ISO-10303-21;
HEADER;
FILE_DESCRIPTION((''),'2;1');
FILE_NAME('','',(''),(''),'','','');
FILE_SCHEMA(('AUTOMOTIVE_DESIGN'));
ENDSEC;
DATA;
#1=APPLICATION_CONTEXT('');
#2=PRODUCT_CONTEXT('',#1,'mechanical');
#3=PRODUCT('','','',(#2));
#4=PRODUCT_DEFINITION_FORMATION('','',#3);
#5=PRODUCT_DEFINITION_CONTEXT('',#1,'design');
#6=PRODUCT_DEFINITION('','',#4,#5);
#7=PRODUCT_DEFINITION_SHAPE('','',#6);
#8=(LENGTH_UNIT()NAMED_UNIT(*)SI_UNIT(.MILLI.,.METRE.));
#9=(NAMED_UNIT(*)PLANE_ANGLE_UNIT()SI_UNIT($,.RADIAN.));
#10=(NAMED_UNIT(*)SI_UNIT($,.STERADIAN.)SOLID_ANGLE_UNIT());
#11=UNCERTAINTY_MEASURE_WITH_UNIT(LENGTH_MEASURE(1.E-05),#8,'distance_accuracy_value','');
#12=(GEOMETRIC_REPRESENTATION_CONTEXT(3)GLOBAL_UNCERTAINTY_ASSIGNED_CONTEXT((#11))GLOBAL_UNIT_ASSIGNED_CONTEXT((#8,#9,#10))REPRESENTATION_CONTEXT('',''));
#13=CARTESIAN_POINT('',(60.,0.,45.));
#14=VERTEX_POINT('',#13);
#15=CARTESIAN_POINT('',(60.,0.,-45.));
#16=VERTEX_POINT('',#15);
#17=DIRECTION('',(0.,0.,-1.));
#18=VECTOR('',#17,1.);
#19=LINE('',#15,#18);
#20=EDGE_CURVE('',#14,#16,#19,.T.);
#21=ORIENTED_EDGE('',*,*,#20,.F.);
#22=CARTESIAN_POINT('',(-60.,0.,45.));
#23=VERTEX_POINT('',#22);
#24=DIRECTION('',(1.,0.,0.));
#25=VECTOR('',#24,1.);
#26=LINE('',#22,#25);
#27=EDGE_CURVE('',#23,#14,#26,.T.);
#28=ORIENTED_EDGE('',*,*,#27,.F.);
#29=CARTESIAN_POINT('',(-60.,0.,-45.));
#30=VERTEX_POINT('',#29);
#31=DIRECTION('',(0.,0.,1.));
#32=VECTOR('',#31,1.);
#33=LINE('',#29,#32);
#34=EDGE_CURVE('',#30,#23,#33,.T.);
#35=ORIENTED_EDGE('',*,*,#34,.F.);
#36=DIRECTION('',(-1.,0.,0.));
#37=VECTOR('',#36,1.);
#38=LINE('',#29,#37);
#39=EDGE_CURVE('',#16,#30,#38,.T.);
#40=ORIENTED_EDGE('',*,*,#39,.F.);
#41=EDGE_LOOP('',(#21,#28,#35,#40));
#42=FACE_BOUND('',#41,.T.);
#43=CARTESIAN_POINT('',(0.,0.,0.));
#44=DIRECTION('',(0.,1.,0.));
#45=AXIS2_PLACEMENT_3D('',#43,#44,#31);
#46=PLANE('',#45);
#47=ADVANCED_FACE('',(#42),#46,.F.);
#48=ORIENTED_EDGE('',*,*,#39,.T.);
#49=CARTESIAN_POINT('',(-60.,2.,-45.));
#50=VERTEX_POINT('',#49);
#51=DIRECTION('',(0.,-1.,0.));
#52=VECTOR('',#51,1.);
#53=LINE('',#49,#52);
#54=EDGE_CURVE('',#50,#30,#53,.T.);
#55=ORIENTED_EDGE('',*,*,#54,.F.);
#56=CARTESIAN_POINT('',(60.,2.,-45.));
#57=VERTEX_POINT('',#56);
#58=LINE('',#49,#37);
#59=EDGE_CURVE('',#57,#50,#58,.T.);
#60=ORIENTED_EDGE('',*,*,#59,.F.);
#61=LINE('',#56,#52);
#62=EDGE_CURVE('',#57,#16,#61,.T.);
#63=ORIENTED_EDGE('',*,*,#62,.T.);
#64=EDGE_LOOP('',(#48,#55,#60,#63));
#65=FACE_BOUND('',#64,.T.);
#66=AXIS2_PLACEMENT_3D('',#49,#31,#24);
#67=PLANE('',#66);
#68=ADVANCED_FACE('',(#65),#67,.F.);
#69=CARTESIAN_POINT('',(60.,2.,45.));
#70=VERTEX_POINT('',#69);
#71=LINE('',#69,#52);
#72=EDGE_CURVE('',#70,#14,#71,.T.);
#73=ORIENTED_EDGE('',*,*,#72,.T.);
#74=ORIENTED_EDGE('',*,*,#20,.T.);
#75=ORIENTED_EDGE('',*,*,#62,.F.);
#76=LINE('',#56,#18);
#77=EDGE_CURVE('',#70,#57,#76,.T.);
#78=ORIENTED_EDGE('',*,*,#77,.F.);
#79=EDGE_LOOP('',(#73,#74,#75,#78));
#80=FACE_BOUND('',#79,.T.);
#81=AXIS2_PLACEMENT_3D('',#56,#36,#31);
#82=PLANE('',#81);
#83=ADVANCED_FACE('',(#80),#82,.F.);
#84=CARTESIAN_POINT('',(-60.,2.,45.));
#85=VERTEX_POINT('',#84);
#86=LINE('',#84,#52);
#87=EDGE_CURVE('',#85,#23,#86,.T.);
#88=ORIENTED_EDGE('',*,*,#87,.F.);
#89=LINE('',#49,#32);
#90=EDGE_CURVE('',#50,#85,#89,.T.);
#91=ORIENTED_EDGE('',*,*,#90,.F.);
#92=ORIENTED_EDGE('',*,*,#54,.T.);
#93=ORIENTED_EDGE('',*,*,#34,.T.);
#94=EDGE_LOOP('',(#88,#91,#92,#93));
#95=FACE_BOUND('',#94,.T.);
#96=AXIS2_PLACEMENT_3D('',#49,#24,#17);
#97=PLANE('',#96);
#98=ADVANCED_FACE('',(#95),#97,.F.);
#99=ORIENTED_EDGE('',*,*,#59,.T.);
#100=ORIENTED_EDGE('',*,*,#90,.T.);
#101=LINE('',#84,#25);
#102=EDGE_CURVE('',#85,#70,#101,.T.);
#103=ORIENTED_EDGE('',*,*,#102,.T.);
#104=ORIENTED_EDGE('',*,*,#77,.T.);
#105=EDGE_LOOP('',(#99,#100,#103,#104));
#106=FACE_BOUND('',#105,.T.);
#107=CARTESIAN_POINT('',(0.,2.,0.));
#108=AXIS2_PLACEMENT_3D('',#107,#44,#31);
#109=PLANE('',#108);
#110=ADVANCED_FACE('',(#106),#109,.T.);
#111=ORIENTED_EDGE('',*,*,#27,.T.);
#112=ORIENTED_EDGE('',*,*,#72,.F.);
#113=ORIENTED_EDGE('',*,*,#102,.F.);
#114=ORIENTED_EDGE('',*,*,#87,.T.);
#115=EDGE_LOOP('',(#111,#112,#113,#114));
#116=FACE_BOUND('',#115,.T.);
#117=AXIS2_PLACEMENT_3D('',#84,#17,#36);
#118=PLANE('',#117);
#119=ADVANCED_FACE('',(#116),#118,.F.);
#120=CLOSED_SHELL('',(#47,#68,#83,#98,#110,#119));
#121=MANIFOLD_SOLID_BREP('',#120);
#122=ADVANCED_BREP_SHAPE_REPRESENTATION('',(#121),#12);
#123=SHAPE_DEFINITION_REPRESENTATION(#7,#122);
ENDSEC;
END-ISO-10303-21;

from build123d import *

# Parameters (mm, degrees)
SKETCH_1_W      = 120
SKETCH_1_H      = 90
EXTRUDE_1_DEPTH = 2


with BuildPart() as part:
    # 草图1 → 凸台-拉伸1 (new body)
    with BuildSketch(Plane(origin=(0, 0, 0), x_dir=(1, 0, 0), z_dir=(0, 1, 0))):
        Rectangle(SKETCH_1_W, SKETCH_1_H)
    extrude(amount=EXTRUDE_1_DEPTH)


solid = part.part
